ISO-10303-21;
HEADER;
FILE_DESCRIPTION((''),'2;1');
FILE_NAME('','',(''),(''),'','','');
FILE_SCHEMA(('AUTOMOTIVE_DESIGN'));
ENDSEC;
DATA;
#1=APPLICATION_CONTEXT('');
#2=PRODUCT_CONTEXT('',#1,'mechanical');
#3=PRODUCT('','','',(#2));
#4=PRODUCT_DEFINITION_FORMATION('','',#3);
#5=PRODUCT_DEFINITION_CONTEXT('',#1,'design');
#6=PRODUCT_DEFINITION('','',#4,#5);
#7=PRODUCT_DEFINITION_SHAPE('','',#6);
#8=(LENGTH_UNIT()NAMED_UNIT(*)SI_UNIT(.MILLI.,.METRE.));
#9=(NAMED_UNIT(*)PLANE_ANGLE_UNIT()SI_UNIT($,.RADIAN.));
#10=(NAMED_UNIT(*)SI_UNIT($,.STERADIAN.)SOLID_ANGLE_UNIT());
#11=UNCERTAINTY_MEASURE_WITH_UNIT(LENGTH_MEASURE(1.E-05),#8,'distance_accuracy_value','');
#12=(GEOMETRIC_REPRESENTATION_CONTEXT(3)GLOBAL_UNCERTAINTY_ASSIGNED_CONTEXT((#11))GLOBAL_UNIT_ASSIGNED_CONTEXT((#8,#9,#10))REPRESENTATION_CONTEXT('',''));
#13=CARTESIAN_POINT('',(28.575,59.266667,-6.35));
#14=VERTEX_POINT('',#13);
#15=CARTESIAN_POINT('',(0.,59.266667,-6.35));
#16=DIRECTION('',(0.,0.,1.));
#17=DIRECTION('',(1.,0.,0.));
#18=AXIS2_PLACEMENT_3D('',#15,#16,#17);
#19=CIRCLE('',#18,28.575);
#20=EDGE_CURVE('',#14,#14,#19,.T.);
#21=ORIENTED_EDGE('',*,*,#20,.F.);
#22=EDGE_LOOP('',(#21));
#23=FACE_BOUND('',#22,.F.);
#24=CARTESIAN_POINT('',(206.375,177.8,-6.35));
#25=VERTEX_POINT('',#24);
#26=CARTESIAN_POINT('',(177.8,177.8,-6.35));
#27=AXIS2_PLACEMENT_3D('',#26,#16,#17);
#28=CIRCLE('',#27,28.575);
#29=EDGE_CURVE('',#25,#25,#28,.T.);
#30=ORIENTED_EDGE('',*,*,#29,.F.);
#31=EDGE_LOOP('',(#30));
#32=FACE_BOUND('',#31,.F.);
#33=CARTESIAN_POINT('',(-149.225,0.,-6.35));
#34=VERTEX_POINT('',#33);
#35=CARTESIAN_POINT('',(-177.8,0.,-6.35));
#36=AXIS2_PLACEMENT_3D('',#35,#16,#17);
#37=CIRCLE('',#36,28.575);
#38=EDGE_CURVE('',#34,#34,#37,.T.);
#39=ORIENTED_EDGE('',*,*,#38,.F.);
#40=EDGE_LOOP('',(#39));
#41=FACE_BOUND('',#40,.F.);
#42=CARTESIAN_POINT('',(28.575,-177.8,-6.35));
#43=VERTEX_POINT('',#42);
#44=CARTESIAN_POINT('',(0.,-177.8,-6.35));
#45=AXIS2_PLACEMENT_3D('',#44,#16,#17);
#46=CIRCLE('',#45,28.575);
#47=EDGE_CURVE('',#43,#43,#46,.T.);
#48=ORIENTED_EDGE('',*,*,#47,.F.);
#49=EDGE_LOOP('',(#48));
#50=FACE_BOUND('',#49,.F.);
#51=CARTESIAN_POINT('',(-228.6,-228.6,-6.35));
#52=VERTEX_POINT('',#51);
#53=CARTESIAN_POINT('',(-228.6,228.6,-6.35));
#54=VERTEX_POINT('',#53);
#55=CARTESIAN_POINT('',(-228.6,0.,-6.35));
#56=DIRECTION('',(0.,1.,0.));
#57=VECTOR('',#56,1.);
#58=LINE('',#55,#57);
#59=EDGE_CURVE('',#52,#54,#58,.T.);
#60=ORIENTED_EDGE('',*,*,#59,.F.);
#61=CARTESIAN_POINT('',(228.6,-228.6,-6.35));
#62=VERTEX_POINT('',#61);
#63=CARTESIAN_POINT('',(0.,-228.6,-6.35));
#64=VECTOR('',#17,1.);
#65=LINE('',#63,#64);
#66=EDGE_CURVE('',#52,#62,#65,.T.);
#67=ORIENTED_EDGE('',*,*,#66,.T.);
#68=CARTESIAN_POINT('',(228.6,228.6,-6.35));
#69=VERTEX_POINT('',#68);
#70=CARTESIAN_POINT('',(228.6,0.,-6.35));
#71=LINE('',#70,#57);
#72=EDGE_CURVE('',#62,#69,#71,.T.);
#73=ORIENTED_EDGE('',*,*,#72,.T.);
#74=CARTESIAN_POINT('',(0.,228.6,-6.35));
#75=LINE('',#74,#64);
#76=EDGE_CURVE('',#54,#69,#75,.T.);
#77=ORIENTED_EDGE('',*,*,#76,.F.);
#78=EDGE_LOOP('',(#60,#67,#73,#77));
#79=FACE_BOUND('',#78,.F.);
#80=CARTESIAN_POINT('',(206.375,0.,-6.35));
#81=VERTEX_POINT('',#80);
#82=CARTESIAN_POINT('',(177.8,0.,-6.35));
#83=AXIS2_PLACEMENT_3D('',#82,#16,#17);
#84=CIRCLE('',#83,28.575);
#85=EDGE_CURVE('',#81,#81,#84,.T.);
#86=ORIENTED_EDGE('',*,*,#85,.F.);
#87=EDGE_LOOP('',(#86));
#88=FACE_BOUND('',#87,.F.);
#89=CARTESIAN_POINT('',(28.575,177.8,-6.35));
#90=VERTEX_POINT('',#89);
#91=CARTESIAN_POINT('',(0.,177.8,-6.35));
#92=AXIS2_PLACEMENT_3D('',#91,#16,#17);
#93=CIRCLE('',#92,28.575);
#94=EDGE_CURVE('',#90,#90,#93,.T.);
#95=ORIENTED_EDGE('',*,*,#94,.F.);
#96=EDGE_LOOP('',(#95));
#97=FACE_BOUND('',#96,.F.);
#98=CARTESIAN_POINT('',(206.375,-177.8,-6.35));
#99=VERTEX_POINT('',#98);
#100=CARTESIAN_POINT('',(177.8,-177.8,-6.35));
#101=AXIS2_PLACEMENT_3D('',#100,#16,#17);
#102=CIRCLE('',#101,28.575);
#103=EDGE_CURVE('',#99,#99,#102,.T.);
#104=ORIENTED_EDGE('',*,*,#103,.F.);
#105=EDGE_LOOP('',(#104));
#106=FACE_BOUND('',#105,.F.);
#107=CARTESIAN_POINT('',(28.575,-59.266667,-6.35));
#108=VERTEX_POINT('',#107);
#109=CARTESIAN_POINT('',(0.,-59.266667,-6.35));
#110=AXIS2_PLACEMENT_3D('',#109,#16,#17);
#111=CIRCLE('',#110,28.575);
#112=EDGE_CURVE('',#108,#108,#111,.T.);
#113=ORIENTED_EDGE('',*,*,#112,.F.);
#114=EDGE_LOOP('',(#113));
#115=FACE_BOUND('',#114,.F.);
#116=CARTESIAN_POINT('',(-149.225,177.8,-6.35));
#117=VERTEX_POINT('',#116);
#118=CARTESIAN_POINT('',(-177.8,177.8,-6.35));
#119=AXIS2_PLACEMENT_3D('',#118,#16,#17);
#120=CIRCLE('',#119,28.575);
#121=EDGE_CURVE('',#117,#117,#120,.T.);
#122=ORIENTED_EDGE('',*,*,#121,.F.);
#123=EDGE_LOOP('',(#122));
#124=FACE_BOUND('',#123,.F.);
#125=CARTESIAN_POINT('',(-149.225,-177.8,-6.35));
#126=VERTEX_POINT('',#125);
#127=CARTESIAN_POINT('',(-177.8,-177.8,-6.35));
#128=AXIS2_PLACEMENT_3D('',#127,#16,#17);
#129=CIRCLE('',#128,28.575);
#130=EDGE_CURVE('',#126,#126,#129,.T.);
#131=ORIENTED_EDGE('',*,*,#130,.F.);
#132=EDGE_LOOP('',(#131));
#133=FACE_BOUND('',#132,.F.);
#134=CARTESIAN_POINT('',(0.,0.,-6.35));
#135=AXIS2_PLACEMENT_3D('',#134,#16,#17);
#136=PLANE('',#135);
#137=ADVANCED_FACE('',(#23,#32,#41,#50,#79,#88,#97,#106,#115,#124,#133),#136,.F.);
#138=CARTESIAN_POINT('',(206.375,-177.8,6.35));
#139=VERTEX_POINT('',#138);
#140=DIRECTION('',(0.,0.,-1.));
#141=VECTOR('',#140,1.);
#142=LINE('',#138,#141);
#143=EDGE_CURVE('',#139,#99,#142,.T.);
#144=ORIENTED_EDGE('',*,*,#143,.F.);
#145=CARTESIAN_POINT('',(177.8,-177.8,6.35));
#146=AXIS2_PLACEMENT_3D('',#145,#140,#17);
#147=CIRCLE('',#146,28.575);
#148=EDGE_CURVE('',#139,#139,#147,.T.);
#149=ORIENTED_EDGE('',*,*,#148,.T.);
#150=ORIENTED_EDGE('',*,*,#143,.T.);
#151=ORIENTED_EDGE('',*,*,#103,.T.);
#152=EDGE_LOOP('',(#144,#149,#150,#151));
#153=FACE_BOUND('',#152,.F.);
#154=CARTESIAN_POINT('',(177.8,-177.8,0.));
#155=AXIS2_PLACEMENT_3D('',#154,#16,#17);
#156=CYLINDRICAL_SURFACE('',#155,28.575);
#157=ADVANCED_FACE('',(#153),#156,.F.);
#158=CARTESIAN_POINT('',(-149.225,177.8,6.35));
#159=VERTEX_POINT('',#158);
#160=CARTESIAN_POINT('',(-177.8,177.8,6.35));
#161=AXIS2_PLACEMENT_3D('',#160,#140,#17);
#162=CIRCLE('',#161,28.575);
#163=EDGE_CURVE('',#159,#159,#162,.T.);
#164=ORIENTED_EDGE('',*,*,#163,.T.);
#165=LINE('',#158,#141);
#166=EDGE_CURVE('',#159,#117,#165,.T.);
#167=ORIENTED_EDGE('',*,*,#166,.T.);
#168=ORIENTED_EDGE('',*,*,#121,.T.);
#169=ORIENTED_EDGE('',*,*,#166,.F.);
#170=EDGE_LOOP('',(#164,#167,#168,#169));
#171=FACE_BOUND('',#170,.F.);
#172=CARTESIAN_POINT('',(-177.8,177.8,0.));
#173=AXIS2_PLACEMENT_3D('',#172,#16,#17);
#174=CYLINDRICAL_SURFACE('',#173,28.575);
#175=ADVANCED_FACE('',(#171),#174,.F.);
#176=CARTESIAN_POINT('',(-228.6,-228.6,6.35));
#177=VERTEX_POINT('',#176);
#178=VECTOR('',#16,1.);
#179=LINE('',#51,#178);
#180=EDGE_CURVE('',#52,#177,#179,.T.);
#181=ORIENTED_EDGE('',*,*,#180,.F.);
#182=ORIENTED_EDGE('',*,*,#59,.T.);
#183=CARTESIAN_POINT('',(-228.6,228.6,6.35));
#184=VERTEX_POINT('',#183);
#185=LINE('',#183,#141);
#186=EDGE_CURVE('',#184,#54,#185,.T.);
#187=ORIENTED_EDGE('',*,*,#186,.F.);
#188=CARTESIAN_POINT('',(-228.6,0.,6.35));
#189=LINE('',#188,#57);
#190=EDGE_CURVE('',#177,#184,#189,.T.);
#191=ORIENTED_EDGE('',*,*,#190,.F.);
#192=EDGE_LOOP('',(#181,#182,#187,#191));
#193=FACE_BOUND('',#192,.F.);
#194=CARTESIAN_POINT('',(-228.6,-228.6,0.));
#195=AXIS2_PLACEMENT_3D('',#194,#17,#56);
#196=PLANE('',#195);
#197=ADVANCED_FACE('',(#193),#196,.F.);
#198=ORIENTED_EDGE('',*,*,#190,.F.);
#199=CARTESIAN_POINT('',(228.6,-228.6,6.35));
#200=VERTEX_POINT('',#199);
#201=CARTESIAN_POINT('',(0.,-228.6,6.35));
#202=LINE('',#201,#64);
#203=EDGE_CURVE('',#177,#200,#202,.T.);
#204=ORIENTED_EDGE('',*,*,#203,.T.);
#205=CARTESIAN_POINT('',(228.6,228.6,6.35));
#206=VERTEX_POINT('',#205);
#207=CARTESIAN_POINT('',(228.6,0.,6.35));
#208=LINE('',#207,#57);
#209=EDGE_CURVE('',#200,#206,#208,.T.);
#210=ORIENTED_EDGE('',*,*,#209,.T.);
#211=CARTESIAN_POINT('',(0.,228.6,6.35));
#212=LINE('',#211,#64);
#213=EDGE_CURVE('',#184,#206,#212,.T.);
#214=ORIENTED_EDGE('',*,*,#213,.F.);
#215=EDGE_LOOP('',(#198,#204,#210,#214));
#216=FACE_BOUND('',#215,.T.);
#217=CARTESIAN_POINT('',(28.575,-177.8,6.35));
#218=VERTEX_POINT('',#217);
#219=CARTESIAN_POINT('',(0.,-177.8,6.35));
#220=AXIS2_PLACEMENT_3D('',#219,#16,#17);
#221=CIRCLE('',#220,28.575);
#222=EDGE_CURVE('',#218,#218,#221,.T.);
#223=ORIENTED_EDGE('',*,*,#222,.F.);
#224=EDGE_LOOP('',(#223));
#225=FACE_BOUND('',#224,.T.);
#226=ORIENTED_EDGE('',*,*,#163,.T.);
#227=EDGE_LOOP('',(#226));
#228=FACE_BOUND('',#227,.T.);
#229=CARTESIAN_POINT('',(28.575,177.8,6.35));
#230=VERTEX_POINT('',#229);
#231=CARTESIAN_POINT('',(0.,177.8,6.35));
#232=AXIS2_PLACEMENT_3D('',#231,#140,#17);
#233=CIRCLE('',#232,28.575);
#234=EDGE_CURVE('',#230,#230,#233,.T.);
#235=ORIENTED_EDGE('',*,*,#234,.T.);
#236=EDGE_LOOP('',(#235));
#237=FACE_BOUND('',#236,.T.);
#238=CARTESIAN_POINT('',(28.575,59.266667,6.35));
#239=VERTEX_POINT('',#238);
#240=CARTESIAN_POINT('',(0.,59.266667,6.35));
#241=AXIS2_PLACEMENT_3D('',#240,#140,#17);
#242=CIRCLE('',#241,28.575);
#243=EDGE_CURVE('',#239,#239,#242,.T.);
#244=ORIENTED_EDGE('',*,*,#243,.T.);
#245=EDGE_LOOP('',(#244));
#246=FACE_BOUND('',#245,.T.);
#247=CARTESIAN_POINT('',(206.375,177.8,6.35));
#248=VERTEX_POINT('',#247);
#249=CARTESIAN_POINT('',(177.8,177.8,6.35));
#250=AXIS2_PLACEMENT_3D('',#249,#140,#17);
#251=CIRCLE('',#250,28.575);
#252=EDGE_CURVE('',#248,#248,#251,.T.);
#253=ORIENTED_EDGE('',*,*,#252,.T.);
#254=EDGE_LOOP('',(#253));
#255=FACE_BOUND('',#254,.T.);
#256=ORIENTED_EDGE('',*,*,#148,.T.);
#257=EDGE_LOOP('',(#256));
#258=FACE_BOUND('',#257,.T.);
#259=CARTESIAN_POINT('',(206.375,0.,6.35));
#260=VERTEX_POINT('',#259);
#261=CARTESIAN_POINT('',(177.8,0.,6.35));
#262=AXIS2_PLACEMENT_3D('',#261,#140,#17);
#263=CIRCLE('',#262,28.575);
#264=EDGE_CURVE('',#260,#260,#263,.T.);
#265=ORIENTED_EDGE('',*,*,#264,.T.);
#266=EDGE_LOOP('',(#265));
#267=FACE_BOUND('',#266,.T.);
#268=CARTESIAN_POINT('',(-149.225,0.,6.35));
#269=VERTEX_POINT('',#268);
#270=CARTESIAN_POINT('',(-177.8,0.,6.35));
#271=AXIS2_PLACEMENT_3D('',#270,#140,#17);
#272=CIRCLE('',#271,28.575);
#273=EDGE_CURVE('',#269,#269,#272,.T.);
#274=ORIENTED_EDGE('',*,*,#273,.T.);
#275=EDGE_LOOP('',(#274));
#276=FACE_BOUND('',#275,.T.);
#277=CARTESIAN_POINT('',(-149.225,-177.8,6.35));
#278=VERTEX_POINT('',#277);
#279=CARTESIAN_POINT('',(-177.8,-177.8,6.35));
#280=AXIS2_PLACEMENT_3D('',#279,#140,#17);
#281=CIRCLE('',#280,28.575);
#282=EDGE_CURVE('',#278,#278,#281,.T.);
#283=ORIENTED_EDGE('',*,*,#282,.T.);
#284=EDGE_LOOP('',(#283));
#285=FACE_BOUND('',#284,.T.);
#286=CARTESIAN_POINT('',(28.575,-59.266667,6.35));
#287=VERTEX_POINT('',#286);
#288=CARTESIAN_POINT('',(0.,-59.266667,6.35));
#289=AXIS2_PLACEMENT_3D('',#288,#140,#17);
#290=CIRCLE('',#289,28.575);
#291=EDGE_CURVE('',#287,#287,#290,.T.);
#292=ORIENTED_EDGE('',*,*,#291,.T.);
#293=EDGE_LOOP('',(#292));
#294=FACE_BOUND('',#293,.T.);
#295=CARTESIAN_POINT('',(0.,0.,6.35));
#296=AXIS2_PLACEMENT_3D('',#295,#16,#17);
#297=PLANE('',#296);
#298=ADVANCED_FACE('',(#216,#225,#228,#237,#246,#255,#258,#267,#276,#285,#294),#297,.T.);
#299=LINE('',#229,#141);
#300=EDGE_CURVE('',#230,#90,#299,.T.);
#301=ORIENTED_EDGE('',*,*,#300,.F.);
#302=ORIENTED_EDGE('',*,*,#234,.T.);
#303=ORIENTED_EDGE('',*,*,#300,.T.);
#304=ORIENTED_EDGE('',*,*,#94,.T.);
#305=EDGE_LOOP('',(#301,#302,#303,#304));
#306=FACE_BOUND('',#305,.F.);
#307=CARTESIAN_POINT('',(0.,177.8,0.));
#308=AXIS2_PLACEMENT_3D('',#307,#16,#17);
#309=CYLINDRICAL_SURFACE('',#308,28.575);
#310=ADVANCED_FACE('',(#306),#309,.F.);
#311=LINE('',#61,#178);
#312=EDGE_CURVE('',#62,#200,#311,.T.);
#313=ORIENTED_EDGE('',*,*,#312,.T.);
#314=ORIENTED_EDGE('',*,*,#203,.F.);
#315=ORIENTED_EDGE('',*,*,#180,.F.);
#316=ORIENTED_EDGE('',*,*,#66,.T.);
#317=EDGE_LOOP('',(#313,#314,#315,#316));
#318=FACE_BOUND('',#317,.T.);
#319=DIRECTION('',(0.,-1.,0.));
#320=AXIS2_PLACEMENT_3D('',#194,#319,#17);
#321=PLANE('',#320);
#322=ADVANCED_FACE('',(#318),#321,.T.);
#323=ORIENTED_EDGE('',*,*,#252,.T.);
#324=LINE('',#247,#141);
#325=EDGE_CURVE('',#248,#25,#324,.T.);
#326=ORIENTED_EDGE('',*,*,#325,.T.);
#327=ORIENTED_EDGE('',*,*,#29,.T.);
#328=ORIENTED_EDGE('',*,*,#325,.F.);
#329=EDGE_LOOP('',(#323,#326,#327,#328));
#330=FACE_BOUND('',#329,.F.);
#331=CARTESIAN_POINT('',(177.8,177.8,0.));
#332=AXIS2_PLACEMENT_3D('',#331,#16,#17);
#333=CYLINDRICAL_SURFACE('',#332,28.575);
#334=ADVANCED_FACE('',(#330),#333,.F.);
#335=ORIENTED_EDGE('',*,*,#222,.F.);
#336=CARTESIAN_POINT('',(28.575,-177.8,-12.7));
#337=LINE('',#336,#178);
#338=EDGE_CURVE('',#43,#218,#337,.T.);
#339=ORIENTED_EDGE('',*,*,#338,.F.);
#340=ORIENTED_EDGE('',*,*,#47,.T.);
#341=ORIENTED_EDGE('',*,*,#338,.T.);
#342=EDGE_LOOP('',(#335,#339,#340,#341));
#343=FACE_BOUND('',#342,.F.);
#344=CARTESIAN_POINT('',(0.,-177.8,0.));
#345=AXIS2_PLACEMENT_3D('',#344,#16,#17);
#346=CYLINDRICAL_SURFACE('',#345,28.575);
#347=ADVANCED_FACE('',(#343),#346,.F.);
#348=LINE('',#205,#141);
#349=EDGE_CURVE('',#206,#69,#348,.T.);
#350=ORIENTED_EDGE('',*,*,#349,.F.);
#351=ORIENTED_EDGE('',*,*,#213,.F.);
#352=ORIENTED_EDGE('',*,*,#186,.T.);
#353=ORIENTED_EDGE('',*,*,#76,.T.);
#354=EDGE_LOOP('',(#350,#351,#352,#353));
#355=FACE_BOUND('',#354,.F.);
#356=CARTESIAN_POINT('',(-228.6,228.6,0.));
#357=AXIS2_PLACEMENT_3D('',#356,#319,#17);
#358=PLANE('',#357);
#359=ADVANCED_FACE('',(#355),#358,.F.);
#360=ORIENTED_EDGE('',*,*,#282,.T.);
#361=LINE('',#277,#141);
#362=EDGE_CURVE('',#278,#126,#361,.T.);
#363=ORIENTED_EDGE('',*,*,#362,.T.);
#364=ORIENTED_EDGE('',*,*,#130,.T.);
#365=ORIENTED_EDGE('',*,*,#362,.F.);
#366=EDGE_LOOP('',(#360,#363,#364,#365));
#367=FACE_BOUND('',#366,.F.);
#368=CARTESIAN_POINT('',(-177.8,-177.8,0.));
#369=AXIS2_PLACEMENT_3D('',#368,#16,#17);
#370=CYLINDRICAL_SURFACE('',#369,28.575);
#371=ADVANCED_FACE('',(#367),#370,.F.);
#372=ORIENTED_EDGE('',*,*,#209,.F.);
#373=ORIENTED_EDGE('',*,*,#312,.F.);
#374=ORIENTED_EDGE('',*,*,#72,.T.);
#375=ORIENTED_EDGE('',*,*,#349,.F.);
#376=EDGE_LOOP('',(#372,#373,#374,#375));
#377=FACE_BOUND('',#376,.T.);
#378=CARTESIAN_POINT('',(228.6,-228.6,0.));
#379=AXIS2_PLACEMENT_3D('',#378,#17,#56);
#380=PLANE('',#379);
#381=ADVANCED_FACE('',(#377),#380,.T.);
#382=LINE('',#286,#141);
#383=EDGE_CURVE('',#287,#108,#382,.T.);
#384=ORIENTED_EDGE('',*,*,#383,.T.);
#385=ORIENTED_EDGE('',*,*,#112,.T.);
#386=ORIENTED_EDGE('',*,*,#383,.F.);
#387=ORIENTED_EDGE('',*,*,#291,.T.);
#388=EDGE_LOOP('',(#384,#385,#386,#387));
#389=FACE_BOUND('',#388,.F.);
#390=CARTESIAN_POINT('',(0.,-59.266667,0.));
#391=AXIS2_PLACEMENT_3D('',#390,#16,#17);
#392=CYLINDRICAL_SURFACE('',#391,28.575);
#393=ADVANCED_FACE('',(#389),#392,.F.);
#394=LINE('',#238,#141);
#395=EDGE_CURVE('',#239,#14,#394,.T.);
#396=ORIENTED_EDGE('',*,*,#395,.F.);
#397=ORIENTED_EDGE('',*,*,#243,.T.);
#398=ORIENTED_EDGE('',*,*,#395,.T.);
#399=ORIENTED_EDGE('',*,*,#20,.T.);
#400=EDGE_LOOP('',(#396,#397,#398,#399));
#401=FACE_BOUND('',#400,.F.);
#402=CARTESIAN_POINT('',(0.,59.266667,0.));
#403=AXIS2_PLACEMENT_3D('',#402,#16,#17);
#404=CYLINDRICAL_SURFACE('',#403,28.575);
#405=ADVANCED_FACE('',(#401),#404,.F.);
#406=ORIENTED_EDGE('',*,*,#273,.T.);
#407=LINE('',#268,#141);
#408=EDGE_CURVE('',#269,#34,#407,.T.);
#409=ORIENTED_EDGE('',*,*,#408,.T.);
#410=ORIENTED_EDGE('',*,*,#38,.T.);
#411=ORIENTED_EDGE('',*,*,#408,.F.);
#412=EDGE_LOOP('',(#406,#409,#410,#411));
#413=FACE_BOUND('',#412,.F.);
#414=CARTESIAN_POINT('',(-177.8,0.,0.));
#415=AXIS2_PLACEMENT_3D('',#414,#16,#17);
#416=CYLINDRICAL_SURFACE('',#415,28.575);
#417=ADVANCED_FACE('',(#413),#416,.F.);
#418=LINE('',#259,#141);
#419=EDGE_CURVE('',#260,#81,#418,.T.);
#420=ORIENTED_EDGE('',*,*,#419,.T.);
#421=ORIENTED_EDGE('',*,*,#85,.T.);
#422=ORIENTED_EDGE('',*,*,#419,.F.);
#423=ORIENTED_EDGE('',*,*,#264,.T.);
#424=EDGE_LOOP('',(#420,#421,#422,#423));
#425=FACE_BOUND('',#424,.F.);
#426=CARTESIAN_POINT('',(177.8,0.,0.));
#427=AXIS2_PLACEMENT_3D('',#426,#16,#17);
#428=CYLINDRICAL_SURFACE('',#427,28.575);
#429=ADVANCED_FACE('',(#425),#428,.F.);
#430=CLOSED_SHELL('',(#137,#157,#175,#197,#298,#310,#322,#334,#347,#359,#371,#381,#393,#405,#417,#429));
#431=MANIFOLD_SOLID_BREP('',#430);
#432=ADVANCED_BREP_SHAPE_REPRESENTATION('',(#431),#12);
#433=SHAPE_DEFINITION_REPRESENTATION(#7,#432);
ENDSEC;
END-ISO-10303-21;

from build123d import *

# Parameters (mm, degrees)
F0_W     = 457.2
F0_H     = 457.2
F2_DEPTH = 6.35
F1_R     = 28.575
F3_DEPTH = 12.7


with BuildPart() as f2:
    # F0 (on Top) → F2 (new body, symmetric)
    with BuildSketch(Plane.XY):
        Rectangle(F0_W, F0_H)
    extrude(amount=F2_DEPTH, both=True)

    # F1 (on face) → F3 (cut, symmetric)
    with BuildSketch(Plane.XY):
        with Locations((-177.8, 177.8)):
            Circle(F1_R)
        with Locations((0, 177.8)):
            Circle(F1_R)
        with Locations((177.8, 177.8)):
            Circle(F1_R)
        with Locations((177.8, 0)):
            Circle(F1_R)
        with Locations((177.8, -177.8)):
            Circle(F1_R)
        with Locations((-177.8, 0)):
            Circle(F1_R)
        with Locations((-177.8, -177.8)):
            Circle(F1_R)
        with Locations((0, 59.266667)):
            Circle(F1_R)
        with Locations((0, -59.266667)):
            Circle(F1_R)
        with Locations((0, -177.8)):
            Circle(F1_R)
    extrude(amount=F3_DEPTH, both=True, mode=Mode.SUBTRACT)


solid = f2.part
